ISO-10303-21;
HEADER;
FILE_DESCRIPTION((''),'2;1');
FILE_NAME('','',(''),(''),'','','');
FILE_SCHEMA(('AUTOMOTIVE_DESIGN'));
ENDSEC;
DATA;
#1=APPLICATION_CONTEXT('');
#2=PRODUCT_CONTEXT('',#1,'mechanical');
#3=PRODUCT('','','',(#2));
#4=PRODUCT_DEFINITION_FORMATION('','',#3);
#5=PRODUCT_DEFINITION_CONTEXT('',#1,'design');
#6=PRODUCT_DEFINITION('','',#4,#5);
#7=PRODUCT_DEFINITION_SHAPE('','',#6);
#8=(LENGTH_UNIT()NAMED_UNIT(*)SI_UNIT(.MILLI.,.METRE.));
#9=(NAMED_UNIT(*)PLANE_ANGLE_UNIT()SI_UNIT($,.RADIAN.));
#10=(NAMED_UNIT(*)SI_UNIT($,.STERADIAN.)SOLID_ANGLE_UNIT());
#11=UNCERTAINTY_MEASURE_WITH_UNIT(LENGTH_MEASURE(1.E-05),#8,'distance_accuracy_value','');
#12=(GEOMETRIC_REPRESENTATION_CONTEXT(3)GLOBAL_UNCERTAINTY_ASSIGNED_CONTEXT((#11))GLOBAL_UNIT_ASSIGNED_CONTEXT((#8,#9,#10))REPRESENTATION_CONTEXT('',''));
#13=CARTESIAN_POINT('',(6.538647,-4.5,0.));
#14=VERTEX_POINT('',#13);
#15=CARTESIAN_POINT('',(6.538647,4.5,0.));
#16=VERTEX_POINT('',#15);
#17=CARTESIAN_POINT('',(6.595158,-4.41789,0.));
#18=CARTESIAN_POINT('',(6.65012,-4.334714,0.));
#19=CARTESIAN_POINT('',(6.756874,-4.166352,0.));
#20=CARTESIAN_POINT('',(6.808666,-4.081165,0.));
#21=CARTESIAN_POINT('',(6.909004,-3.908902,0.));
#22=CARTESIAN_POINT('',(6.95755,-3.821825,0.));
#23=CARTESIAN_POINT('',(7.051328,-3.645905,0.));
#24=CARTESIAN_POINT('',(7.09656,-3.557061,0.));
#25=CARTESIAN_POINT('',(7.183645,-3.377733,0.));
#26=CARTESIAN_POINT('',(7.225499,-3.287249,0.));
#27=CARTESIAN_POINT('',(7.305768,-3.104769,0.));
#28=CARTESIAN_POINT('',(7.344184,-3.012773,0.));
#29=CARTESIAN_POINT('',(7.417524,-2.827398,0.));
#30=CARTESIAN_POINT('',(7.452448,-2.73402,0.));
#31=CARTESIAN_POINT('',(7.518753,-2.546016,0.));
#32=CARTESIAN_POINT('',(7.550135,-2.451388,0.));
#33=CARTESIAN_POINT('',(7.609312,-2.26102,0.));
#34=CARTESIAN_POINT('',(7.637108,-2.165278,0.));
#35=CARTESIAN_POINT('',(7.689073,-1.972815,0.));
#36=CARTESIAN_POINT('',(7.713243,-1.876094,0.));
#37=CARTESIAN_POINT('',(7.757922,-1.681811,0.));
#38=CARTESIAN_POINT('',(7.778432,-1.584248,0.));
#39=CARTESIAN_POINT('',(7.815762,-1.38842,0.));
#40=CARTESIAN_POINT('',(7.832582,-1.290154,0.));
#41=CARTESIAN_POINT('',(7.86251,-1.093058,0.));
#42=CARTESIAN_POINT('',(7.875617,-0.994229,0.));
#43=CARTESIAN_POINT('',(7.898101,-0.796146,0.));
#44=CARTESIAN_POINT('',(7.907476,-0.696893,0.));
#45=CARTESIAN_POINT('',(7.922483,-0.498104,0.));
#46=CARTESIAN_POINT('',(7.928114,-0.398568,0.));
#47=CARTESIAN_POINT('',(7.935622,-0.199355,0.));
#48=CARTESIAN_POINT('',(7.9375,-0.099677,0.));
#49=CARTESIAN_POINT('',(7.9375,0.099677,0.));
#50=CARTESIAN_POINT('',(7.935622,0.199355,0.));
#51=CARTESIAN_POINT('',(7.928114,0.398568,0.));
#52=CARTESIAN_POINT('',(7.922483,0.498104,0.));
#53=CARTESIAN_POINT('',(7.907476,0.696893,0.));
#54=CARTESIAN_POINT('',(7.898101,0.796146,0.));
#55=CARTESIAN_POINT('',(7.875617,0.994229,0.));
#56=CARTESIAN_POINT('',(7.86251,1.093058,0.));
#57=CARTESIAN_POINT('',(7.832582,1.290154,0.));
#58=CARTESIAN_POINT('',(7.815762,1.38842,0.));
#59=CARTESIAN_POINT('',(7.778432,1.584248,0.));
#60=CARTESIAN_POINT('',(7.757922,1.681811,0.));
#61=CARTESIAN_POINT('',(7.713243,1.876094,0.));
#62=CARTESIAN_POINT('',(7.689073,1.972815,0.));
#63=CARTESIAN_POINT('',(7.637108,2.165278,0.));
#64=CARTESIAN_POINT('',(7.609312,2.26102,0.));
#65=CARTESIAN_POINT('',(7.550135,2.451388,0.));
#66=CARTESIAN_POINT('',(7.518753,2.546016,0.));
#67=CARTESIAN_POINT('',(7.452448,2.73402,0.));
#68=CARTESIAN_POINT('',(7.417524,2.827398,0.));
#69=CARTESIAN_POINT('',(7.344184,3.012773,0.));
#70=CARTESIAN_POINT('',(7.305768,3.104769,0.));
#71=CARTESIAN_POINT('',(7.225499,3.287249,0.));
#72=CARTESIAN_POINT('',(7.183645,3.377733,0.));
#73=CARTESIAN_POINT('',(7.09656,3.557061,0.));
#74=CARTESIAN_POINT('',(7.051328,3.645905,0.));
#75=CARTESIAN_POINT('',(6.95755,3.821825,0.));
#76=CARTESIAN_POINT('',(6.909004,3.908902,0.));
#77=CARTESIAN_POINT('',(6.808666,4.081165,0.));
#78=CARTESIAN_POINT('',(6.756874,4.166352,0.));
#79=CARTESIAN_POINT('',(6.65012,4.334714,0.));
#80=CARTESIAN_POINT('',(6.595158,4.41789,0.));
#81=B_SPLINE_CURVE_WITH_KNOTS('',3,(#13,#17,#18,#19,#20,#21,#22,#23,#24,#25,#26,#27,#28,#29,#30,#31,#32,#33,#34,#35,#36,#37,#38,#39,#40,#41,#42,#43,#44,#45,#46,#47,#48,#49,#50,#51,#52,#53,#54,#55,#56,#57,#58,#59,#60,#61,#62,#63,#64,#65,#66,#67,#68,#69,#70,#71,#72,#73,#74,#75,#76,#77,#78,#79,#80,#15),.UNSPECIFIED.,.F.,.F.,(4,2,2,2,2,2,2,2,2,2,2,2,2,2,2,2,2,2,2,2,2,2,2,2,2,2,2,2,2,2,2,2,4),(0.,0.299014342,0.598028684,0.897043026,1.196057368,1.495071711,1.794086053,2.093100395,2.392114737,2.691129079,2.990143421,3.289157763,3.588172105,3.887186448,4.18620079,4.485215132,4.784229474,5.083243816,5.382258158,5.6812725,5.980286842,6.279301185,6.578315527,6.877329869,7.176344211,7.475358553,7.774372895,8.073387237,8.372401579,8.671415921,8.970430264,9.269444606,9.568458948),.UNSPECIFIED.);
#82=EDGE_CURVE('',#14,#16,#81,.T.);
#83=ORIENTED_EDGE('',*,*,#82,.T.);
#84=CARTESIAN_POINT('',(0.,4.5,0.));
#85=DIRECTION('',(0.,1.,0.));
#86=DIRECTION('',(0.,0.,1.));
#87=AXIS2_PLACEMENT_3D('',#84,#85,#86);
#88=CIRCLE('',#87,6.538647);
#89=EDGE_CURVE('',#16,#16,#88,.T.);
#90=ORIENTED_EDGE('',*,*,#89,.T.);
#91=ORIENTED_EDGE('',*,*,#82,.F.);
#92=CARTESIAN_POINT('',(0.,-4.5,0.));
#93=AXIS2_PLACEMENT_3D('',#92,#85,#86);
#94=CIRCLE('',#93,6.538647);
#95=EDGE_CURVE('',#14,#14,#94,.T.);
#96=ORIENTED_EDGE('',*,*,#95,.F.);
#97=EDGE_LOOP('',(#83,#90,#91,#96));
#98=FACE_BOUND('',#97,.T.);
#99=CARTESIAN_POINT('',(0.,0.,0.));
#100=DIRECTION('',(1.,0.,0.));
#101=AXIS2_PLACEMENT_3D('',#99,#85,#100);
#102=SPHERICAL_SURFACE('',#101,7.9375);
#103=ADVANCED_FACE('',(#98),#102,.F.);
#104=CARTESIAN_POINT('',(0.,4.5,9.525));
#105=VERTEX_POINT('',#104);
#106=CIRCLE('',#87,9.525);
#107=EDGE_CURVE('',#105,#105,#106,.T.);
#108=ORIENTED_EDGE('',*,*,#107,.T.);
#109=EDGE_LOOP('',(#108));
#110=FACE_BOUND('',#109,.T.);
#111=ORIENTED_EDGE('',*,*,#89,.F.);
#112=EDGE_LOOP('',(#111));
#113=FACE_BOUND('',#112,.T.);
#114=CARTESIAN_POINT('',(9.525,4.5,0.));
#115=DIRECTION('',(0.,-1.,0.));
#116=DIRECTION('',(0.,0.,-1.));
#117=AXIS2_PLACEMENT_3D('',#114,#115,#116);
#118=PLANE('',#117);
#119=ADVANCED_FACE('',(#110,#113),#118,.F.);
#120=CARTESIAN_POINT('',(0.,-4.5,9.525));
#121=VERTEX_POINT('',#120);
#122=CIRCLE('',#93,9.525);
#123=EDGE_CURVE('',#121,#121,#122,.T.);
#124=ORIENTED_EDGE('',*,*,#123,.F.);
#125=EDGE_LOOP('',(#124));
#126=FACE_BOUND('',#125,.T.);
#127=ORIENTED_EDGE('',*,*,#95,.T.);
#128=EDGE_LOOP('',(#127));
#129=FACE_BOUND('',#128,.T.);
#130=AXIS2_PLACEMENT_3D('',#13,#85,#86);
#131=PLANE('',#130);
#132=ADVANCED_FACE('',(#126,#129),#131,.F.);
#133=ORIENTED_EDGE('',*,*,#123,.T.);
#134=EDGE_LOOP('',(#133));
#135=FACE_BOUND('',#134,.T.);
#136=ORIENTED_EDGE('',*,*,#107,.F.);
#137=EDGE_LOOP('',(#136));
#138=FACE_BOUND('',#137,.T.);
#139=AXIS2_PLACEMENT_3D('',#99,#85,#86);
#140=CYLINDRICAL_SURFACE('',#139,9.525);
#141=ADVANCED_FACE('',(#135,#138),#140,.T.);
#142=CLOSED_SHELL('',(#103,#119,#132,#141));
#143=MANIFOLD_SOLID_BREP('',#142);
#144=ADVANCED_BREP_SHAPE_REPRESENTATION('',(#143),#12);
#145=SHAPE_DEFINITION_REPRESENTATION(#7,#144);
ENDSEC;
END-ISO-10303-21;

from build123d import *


with BuildPart() as part:
    # Croquis1 → Revolución1 (revolve)
    with BuildSketch(Plane.XY, mode=Mode.PRIVATE) as revoluci_n1_sk:
        with BuildLine():
            Line((9.525, 0), (9.525, 4.5))
            Line((9.525, 4.5), (6.538647127, 4.5))
            ThreePointArc((6.538647127, 4.5), (7.9375, 0), (6.538647127, -4.5))
            Line((6.538647127, -4.5), (9.525, -4.5))
            Line((9.525, -4.5), (9.525, 0))
        make_face()
    revolve(revoluci_n1_sk.sketch.rotate(Axis((0, 0, 0), (0, -1, 0)), 90), axis=Axis((0, 0, 0), (0, -1, 0)))


solid = part.part
